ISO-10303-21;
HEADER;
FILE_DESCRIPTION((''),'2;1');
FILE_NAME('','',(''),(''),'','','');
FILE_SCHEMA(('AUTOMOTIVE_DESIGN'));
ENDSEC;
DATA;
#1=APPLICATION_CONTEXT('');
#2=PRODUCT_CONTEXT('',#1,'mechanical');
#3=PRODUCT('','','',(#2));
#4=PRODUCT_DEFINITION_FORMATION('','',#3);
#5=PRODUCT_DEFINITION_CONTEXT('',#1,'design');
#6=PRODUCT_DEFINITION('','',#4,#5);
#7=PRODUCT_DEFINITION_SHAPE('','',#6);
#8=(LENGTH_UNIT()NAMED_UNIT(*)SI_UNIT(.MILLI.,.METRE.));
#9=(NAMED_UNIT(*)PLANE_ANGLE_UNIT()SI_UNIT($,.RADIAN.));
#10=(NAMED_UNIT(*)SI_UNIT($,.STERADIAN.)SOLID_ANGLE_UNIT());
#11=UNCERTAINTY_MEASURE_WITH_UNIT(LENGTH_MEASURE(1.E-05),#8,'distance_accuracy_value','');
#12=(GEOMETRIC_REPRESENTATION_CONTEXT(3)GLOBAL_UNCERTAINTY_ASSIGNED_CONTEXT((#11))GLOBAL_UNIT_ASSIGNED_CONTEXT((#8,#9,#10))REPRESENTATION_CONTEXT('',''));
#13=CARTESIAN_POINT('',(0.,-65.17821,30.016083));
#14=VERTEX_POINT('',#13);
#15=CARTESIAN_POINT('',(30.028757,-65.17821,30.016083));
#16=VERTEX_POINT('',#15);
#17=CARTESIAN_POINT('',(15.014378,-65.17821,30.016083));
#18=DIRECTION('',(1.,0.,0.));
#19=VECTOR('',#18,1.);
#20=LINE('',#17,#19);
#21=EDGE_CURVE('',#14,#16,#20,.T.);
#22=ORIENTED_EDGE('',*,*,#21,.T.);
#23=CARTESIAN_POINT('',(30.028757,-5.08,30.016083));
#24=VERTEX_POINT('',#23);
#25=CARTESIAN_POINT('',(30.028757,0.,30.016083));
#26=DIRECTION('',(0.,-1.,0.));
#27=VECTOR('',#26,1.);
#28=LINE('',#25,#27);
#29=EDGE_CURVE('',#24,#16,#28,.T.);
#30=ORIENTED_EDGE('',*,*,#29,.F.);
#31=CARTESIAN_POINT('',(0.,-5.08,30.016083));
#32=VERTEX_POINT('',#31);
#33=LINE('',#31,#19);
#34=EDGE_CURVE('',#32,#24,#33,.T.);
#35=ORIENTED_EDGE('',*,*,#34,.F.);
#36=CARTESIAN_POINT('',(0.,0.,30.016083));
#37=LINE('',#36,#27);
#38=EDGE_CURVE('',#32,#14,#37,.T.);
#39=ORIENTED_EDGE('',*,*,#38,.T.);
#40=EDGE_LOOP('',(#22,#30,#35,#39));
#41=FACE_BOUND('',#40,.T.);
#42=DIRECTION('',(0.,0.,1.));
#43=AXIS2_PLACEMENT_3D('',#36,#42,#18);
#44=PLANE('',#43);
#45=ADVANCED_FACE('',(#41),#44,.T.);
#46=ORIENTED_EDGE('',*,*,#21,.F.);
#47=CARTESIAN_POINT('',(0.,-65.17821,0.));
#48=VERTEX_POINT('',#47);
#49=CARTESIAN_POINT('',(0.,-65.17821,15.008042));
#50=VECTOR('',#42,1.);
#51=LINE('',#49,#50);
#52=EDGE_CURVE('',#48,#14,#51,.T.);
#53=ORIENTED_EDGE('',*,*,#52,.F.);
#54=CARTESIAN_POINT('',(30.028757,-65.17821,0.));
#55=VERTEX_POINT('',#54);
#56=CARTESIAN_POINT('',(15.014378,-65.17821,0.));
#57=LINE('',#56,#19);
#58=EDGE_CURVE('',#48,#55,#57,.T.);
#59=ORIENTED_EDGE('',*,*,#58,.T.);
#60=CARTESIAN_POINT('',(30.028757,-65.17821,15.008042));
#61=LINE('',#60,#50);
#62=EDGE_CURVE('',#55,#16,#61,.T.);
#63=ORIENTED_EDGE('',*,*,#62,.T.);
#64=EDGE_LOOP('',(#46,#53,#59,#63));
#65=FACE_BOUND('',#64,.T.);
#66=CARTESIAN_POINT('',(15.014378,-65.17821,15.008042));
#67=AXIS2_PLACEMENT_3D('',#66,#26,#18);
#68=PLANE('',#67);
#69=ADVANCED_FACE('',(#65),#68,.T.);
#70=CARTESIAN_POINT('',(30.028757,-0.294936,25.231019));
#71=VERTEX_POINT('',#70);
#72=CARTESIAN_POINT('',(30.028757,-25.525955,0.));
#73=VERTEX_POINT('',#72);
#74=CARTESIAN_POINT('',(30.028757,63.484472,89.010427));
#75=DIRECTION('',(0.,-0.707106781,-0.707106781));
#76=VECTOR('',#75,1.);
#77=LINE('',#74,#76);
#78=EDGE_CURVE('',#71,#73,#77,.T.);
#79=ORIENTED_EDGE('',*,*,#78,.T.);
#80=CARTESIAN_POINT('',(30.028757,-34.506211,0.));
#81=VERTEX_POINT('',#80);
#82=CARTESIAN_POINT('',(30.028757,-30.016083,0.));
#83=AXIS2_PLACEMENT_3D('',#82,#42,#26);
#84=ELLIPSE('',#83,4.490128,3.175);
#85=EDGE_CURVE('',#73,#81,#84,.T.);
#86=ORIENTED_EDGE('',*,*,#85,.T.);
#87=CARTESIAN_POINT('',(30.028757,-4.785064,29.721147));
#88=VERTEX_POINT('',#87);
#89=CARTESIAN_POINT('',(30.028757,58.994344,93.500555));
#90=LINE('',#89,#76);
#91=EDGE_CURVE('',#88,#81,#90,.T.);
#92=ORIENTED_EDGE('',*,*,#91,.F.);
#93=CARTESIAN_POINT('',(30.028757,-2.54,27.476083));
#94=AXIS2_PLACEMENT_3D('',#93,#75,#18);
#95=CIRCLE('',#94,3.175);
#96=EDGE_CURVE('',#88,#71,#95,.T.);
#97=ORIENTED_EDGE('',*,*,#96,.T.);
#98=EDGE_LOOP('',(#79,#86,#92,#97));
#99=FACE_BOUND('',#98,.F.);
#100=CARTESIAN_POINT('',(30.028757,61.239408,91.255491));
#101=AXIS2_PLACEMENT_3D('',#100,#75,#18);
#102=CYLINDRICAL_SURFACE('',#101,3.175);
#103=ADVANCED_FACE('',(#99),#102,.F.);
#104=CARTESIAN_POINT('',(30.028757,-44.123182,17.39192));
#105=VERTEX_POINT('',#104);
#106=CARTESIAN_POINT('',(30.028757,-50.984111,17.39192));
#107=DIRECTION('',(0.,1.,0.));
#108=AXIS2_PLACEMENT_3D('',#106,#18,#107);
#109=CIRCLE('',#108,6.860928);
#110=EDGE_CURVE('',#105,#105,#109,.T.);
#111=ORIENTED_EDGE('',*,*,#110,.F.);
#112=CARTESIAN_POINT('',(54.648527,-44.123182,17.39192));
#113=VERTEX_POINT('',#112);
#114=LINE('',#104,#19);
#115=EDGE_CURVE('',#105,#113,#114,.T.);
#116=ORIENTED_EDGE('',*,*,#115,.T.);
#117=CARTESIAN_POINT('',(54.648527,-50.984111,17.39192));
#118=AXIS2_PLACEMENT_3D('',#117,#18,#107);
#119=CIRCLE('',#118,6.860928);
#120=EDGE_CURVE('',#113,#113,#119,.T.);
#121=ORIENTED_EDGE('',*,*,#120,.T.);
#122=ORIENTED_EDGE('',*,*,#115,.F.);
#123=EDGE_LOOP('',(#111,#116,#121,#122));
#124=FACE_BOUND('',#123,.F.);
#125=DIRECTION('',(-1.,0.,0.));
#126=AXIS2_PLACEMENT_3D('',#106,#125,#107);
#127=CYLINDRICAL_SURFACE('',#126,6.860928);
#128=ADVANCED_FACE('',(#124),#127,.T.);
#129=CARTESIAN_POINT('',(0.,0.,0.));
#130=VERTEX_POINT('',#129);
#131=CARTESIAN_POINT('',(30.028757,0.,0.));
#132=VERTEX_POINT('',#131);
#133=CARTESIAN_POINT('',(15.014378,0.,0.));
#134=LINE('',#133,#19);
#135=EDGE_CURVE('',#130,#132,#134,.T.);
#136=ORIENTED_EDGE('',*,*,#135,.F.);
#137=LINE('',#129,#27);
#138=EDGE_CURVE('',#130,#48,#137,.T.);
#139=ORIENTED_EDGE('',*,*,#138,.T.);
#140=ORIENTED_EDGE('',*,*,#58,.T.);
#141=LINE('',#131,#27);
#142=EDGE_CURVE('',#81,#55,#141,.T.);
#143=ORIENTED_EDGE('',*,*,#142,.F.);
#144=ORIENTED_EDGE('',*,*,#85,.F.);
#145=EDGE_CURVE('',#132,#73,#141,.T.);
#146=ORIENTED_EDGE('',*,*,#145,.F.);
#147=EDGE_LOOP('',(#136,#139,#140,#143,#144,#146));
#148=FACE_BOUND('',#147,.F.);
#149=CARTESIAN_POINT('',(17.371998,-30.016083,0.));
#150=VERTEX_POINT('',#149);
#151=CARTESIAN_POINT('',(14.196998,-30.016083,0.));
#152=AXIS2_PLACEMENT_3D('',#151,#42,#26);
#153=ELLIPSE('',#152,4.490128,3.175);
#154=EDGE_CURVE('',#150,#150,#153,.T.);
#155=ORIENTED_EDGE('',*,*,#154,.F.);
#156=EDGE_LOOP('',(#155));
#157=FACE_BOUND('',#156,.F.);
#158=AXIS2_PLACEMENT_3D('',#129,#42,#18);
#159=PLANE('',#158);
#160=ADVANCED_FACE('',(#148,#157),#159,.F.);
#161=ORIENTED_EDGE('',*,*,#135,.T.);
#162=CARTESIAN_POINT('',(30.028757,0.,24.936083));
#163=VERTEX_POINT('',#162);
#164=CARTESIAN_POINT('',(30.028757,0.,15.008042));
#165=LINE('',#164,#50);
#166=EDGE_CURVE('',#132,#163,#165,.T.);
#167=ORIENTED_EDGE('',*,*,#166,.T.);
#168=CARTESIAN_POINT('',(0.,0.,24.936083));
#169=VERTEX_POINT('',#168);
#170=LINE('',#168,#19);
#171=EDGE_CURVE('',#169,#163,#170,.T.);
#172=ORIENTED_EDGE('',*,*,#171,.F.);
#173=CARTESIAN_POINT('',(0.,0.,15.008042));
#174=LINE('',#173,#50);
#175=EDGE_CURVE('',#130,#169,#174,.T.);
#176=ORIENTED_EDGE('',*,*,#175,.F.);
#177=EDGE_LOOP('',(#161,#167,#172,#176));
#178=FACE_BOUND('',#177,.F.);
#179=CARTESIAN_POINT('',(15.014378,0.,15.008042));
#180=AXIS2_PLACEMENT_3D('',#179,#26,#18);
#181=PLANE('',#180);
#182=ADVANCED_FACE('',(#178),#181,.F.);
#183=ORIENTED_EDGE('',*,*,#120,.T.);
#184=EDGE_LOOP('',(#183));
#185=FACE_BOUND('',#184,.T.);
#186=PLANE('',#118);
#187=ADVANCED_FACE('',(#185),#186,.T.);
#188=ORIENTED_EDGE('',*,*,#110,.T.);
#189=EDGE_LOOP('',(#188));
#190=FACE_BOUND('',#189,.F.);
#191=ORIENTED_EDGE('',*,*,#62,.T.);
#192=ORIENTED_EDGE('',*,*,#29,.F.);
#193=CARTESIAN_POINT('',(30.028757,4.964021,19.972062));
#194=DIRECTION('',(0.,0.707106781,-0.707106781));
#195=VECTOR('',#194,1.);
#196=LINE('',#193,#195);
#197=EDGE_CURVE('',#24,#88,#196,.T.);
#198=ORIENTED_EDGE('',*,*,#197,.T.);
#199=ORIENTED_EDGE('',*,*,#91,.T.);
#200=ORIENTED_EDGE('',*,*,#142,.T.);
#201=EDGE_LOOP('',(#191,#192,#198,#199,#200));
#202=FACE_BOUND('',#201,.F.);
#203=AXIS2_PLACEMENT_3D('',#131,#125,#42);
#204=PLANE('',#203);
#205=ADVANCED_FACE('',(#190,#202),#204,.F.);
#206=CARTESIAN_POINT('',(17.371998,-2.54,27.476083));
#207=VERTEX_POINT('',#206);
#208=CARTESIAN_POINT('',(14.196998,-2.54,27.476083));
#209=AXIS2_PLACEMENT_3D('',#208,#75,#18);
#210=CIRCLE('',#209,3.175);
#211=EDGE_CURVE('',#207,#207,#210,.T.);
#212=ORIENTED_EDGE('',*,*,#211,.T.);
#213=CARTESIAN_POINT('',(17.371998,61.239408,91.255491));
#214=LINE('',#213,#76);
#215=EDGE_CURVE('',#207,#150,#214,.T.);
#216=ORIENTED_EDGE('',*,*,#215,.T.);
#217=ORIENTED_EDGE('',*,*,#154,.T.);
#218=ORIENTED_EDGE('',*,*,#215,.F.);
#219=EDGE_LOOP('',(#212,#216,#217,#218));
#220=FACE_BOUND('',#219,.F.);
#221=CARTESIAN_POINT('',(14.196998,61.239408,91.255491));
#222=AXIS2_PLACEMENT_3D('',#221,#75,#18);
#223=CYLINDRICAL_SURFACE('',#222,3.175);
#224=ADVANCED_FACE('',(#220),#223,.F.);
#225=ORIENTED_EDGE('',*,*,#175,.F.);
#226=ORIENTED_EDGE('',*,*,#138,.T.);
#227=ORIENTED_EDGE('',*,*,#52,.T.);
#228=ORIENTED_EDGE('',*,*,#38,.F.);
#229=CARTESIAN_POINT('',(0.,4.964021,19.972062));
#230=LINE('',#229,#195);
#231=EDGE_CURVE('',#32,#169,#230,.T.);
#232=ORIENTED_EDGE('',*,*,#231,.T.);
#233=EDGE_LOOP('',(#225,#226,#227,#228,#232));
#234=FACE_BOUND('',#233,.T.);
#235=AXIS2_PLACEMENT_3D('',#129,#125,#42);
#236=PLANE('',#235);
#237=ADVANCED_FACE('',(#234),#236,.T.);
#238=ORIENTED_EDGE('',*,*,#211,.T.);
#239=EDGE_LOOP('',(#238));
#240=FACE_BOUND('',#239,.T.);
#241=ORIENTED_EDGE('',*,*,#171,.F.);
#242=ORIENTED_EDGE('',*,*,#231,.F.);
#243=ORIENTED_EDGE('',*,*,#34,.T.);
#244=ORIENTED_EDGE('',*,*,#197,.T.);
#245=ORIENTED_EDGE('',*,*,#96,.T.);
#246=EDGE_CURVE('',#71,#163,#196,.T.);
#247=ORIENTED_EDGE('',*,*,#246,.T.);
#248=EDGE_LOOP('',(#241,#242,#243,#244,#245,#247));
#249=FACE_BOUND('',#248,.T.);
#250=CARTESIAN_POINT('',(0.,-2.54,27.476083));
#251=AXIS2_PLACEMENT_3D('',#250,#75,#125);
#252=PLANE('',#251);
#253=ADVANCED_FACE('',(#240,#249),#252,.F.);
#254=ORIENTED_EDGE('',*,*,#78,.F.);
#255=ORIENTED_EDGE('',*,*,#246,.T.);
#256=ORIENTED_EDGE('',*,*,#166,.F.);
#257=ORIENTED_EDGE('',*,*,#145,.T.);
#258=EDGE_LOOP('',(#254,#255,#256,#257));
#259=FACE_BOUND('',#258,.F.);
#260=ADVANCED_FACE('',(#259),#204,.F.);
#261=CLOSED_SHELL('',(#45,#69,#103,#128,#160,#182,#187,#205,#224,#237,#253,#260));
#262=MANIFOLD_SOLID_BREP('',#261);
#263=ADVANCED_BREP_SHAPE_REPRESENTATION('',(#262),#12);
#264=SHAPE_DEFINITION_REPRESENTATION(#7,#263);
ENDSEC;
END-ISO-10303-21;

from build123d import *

# Parameters (mm, degrees)
F0_W     = 30.0287567079
F0_H     = 30.0160832703
F1_DEPTH = 65.17821
F2_R     = 6.8609284015
F3_DEPTH = 24.61977
F4_SIZE  = 5.08
F6_D     = 6.35


with BuildPart() as f1:
    # F0 (on Front) → F1 (new body)
    with BuildSketch(Plane.XZ):
        with Locations((15.014378354, 15.0080416352)):
            Rectangle(F0_W, F0_H)
    extrude(amount=F1_DEPTH)

    # F2 (on face) → F3 (join)
    with BuildSketch(Plane.YZ.offset(30.0287567079)):
        with Locations((-50.9841106832, 17.3919200897)):
            Circle(F2_R)
    extrude(amount=F3_DEPTH)

    # F4
    f4_edges = [f1.edges().sort_by_distance(p)[0] for p in [
        (15.014378, 0, 30.016083),
    ]]
    chamfer(f4_edges, length=F4_SIZE)

    # F6 (through all)
    with Locations(Plane(origin=(0, 12.4680416352, 12.4680416352), x_dir=(-1, 0, 0), z_dir=(0, 0.7071067812, 0.7071067812))):
        with Locations((-14.1969984397, 21.2245760251), (-30.0287567079, 21.2245760251)):
            Hole(F6_D / 2)


solid = f1.part
